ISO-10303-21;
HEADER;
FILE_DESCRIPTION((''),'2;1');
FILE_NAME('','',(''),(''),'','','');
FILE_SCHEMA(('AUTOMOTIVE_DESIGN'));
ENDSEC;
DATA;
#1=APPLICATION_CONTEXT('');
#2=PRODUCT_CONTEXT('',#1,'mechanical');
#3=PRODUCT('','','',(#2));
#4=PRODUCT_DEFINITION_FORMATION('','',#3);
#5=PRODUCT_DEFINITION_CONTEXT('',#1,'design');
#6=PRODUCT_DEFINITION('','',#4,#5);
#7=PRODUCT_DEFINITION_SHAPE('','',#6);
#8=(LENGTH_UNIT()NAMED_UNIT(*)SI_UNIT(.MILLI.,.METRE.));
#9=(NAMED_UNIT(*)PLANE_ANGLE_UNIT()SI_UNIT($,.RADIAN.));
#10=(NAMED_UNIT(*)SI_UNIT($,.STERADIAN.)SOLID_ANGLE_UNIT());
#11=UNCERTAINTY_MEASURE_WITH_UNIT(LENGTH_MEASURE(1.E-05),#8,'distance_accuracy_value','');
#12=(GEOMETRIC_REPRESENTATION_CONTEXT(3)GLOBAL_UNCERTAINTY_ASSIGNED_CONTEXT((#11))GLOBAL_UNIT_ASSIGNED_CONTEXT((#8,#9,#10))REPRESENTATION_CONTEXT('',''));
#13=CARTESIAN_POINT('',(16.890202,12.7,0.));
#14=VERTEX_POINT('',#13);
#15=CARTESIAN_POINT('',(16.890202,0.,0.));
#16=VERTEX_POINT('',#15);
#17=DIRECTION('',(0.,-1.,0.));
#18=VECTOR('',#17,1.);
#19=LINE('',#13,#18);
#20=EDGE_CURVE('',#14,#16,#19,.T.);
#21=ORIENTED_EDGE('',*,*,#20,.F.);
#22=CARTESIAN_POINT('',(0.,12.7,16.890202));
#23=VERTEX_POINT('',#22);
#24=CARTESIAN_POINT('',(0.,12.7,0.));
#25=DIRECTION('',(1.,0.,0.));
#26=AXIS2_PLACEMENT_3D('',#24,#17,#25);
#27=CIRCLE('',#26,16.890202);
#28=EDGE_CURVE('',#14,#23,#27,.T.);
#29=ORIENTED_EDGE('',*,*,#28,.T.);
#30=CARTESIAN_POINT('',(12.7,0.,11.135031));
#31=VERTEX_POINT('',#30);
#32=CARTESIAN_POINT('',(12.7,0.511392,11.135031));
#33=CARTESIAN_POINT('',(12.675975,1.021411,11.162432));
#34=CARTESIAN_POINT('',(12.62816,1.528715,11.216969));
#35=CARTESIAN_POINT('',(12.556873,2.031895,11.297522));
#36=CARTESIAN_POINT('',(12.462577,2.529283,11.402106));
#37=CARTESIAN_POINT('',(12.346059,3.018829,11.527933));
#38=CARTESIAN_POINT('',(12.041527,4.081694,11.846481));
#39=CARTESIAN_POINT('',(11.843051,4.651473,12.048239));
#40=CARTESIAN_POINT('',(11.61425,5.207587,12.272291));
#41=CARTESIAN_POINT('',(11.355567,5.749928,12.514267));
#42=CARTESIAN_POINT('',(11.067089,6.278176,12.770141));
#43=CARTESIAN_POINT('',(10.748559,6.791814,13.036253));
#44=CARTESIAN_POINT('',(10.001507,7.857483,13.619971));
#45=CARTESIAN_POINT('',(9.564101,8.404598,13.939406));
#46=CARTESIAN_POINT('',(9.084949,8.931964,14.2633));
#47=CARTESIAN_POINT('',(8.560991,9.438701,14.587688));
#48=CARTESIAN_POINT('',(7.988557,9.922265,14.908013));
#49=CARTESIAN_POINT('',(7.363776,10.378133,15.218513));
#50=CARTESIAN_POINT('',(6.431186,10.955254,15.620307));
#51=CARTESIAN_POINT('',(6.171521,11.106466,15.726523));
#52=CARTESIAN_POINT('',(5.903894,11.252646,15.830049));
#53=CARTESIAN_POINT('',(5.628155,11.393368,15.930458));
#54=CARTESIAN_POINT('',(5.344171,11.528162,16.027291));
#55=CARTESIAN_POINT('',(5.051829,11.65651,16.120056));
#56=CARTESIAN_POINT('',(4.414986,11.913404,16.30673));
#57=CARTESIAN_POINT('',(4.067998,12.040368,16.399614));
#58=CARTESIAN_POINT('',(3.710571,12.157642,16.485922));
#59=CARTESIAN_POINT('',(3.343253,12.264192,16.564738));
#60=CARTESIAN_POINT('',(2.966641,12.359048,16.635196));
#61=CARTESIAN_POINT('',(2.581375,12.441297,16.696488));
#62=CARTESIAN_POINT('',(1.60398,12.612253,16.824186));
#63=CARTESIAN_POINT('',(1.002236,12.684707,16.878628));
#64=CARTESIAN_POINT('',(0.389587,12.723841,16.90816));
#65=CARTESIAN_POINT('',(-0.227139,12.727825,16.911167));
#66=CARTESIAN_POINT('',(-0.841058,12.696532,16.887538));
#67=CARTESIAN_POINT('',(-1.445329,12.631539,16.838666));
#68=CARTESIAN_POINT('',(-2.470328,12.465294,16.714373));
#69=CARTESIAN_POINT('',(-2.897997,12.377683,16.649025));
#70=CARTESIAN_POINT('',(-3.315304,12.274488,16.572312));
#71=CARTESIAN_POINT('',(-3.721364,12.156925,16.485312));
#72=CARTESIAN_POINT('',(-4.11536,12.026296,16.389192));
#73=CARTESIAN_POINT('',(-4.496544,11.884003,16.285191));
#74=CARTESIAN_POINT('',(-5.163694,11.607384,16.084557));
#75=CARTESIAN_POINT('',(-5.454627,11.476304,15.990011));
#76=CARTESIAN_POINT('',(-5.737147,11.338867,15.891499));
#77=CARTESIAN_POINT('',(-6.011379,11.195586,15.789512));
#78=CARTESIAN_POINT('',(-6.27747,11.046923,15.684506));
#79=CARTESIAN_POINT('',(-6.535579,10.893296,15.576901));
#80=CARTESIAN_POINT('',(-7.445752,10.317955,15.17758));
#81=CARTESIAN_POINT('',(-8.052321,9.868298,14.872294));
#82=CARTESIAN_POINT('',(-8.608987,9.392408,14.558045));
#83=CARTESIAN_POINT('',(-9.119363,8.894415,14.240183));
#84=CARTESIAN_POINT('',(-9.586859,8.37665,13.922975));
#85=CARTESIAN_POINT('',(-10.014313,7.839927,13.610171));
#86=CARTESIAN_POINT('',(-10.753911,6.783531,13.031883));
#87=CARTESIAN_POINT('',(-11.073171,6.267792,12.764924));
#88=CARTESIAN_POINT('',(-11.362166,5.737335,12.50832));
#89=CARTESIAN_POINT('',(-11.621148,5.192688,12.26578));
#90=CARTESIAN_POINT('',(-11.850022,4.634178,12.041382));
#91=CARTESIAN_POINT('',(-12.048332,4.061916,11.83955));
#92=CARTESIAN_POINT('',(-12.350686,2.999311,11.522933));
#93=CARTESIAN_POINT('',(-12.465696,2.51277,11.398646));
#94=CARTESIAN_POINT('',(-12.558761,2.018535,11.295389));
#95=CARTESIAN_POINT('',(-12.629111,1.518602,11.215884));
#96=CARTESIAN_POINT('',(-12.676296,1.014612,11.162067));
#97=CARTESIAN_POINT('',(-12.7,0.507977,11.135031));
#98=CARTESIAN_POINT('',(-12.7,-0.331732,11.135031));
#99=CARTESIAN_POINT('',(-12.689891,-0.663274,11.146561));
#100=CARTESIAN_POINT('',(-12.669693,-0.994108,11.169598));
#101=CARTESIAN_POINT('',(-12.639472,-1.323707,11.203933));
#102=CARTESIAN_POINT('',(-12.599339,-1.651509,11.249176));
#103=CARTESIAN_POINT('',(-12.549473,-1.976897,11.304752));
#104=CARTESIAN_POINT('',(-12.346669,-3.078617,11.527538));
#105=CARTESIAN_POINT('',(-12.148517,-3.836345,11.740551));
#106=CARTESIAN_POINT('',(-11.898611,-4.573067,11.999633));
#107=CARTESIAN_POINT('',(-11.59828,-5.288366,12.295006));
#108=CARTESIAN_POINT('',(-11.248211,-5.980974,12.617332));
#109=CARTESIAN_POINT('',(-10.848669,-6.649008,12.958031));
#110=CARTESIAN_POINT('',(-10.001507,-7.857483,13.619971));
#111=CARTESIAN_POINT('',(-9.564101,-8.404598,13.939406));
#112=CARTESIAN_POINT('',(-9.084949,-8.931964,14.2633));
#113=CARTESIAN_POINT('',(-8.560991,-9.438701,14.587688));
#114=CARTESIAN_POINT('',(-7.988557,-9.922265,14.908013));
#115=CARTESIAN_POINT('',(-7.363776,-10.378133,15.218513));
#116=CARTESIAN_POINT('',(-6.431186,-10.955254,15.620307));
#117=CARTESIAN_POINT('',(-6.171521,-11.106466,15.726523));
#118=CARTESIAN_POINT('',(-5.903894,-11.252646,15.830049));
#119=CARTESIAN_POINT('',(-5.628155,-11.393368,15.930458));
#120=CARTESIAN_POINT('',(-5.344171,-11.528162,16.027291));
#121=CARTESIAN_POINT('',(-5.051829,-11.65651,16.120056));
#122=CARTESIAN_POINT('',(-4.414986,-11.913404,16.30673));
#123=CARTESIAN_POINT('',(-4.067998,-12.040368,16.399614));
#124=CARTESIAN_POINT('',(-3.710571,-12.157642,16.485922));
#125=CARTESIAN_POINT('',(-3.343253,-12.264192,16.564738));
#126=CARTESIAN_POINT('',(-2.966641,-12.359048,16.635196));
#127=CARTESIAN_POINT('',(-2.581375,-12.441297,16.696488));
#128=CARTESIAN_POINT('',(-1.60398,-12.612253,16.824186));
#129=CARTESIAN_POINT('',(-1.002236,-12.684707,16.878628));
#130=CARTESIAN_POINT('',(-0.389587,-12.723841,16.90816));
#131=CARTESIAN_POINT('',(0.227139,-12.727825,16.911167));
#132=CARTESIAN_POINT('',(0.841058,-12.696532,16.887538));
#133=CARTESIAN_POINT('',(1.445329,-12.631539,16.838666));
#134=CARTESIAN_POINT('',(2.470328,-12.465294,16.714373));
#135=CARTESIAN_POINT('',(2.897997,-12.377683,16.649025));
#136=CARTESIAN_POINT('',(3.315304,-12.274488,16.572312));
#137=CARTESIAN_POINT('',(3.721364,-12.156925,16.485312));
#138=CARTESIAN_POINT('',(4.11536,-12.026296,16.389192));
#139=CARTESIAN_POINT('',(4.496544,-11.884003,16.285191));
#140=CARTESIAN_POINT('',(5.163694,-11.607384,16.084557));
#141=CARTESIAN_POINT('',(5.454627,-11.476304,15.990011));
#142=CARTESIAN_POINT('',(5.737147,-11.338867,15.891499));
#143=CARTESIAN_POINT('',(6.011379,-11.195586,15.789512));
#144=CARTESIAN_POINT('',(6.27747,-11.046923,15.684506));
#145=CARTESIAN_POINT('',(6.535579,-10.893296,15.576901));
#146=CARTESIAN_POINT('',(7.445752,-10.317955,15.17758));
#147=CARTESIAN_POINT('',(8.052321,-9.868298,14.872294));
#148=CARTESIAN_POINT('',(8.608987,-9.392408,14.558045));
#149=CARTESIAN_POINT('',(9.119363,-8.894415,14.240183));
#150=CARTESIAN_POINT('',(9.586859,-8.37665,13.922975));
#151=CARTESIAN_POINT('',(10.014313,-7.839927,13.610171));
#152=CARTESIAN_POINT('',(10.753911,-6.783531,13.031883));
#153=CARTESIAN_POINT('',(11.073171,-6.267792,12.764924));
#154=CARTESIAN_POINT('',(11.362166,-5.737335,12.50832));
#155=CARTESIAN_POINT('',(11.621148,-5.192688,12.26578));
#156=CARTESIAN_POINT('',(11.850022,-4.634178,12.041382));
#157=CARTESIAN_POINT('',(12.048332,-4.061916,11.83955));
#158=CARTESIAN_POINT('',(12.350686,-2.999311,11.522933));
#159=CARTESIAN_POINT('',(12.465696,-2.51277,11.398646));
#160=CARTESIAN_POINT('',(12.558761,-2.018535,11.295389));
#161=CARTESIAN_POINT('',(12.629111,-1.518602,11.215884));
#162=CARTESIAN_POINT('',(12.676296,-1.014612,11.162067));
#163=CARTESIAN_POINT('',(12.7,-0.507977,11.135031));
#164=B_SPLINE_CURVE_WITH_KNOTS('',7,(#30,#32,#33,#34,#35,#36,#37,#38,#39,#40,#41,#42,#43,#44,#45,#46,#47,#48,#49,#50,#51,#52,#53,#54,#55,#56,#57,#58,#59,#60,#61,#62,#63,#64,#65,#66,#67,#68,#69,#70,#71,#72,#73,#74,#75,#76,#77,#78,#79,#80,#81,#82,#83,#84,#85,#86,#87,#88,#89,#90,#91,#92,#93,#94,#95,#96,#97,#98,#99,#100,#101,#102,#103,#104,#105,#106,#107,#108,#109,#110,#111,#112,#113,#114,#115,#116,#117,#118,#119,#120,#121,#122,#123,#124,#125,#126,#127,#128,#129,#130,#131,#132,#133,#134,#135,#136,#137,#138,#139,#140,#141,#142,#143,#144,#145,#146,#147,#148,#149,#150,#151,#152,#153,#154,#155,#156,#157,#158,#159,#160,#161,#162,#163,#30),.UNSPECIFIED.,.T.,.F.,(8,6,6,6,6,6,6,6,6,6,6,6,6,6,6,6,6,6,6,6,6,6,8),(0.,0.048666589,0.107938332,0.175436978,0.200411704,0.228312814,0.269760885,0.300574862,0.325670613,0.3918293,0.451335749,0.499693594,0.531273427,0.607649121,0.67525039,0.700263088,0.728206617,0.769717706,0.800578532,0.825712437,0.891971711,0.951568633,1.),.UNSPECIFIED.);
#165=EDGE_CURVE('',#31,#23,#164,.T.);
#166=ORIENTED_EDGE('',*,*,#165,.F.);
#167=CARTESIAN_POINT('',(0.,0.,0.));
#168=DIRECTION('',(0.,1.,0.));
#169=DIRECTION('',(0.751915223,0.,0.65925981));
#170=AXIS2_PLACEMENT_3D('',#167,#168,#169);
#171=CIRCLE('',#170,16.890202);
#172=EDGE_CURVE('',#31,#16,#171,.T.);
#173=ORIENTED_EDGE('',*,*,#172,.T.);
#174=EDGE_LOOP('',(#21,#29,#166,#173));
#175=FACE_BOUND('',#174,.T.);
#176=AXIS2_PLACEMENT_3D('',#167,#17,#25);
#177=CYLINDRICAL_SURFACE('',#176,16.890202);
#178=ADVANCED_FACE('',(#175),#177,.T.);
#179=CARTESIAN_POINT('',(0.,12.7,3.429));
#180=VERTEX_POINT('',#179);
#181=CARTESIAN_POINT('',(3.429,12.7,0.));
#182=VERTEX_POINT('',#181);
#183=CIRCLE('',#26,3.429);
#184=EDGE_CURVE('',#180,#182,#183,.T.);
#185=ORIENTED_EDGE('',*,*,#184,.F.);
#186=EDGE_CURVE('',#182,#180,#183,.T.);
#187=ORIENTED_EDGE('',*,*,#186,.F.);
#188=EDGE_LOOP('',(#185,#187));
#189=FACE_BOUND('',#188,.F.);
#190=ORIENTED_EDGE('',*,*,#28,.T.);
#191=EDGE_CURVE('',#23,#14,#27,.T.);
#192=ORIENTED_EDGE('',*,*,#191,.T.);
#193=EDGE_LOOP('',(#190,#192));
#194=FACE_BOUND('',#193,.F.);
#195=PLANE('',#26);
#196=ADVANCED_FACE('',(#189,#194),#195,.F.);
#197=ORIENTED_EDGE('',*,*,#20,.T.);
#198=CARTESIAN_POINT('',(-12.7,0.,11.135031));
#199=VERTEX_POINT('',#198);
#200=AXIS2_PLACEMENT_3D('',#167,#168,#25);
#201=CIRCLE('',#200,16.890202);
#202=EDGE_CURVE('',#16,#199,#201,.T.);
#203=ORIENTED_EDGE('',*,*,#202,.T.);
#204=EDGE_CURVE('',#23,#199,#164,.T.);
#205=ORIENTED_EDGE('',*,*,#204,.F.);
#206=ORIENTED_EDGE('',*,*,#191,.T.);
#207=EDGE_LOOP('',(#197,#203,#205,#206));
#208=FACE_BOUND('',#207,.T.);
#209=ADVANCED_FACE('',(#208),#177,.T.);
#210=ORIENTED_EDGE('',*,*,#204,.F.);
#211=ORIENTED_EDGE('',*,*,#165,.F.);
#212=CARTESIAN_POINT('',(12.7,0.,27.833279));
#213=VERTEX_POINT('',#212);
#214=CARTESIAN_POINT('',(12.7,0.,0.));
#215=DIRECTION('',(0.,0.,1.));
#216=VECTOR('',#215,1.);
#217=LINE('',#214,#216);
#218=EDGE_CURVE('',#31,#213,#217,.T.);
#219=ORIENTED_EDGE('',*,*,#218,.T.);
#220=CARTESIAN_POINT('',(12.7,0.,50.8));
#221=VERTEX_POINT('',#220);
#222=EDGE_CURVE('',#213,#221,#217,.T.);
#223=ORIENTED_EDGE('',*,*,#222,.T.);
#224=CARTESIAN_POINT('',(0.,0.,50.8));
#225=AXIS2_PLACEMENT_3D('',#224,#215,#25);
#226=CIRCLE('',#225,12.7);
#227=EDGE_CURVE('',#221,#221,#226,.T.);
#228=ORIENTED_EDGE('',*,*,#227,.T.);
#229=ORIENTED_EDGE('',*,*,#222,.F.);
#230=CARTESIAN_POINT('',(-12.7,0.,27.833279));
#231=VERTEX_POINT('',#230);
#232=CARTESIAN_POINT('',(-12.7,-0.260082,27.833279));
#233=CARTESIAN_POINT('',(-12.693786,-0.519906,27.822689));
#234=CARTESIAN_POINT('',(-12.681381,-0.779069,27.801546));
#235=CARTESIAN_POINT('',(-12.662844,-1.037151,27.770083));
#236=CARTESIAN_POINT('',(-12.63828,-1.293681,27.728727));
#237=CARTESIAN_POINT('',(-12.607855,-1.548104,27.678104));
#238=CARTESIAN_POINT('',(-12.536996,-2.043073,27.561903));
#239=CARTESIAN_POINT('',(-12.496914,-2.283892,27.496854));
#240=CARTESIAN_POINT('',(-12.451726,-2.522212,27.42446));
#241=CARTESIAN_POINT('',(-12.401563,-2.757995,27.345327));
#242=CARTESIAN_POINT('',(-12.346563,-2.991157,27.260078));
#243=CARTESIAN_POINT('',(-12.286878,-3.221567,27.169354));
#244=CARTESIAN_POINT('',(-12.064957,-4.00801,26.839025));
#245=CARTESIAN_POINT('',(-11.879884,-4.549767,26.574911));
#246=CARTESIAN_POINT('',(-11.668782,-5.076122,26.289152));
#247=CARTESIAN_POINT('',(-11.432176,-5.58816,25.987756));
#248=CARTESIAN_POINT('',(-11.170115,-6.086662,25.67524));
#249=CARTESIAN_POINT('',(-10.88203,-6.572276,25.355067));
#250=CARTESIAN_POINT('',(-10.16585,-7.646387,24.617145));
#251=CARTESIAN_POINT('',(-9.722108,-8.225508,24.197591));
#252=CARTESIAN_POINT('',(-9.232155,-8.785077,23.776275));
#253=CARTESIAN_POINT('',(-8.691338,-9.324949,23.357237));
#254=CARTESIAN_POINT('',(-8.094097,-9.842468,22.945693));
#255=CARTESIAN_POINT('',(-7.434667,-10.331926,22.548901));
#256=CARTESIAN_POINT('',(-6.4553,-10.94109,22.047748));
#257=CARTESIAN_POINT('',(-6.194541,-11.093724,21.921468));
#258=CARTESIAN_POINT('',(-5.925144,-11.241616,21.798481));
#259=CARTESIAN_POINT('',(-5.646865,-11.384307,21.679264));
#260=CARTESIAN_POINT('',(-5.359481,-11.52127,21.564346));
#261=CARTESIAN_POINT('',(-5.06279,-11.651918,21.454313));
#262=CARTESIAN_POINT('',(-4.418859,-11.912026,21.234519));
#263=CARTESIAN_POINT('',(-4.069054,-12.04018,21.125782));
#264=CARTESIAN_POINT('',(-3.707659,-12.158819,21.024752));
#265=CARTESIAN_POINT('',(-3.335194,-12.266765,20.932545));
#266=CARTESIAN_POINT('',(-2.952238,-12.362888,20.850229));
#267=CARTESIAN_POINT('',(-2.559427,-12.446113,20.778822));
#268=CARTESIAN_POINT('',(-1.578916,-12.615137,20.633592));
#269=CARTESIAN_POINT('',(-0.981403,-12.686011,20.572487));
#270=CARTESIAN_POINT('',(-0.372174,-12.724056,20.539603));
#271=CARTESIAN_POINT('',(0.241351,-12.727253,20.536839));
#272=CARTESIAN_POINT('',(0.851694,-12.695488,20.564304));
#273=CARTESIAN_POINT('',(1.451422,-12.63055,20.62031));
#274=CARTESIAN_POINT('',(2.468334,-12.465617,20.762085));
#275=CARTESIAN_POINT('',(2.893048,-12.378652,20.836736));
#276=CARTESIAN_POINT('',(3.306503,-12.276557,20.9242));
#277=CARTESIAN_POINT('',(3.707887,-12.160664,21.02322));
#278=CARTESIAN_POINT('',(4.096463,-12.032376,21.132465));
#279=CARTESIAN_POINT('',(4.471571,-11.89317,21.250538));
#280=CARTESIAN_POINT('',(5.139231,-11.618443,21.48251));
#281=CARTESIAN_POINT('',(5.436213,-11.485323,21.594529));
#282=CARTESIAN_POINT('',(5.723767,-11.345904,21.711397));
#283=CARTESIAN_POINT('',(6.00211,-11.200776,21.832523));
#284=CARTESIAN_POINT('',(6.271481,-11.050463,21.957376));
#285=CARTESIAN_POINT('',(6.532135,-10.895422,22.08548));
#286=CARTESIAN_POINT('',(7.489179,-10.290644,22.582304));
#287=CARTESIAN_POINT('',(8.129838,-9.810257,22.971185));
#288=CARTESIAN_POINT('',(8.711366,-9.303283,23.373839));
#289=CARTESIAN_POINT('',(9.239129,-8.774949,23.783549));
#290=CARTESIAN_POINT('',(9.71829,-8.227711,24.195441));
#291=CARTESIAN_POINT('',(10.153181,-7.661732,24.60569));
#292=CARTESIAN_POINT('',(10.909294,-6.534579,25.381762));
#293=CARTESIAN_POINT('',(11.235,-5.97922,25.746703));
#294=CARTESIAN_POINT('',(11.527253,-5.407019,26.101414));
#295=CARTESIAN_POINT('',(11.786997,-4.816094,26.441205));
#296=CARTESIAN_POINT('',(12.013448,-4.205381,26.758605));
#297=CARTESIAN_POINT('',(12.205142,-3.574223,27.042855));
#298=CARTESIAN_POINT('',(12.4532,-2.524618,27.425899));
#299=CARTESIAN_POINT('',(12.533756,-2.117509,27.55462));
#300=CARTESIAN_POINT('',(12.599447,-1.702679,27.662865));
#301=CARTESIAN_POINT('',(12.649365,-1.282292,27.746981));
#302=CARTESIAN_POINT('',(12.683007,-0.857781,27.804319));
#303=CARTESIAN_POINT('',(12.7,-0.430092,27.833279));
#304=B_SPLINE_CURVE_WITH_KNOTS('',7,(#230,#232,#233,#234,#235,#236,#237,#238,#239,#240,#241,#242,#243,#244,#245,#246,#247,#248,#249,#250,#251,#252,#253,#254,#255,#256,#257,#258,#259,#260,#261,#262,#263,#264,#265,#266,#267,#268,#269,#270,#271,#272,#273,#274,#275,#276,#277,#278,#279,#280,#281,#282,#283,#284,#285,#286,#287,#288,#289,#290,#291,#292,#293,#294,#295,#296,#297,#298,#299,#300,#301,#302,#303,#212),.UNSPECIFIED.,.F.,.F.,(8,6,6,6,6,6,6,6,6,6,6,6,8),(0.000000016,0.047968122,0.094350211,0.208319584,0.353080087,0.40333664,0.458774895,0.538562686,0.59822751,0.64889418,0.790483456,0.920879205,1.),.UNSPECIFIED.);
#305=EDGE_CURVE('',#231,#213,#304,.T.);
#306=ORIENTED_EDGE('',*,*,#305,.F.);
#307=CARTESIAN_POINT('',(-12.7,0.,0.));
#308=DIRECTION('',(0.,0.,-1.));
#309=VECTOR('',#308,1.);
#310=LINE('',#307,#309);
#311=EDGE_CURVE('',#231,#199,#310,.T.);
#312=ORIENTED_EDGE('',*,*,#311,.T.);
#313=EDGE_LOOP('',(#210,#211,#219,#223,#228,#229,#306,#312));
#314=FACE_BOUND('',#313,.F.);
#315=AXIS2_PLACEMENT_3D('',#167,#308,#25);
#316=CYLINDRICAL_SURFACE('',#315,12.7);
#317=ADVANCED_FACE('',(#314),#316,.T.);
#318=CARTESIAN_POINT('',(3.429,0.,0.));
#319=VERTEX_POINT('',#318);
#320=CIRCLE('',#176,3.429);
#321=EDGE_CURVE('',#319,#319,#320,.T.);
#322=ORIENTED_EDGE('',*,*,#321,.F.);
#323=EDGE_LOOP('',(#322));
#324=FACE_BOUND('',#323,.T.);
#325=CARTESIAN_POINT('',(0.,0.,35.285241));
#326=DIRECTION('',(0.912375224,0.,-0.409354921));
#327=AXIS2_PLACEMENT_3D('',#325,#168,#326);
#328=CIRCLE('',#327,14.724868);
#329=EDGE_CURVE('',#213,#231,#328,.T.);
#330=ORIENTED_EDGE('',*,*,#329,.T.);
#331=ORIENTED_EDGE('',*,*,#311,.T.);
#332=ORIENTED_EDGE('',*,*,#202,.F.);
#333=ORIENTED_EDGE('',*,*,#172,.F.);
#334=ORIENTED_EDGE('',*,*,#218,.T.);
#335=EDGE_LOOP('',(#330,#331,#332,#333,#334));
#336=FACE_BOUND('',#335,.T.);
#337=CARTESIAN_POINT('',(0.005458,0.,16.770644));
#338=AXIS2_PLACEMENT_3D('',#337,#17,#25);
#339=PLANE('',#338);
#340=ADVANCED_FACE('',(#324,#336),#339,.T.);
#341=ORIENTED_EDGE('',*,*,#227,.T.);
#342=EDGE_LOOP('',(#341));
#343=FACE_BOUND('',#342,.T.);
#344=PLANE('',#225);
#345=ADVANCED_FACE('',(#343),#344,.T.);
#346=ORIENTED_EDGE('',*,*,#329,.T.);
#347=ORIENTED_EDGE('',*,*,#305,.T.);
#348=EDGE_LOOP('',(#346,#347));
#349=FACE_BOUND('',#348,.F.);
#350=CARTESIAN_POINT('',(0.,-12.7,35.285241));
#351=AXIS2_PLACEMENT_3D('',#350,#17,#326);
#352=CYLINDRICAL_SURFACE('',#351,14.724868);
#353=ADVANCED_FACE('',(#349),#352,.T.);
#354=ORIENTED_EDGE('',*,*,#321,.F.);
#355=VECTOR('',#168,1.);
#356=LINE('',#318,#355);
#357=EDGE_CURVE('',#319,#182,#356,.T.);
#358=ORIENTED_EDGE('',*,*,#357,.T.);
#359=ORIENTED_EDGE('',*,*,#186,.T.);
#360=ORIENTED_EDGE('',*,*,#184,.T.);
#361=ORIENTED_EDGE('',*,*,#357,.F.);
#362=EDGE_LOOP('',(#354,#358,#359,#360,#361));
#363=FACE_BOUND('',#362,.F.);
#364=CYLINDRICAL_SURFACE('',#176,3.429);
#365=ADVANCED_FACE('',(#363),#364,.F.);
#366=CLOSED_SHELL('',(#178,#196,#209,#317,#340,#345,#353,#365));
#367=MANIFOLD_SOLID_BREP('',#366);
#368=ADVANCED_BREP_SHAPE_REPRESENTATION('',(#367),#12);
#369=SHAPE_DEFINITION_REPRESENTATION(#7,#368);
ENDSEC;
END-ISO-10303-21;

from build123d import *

# Parameters (mm, degrees)
F0_R      = 16.890202
F1_DEPTH  = 12.7
F2_R      = 12.7
F3_DEPTH  = 50.8
F5_R      = 16.890202
F6_DEPTH  = 12.7
F7_R      = 3.429
F8_DEPTH  = 12.701
F10_DEPTH = 12.7


with BuildPart() as f1:
    # F0 (on Front) → F1 (new body, symmetric)
    with BuildSketch(Plane.XZ):
        Circle(F0_R)
    extrude(amount=F1_DEPTH, both=True)

    # F2 (on Top) → F3 (join)
    with BuildSketch(Plane.XY):
        Circle(F2_R)
    extrude(amount=F3_DEPTH)

    # F5 (on offset) → F6 (cut)
    with BuildSketch(Plane.XZ.offset(12.7)):
        Circle(F5_R)
    extrude(amount=-F6_DEPTH, mode=Mode.SUBTRACT)

    # F7 (on face) → F8 (cut, through all)
    with BuildSketch(Plane.XZ):
        Circle(F7_R)
    extrude(amount=-F8_DEPTH, mode=Mode.SUBTRACT)

    # F9 (on offset) → F10 (cut, through all)
    with BuildSketch(Plane.XZ.offset(12.7)):
        with BuildLine():
            ThreePointArc((13.434605, 29.257544), (0, 20.560373), (-13.434605, 29.257544))
            Line((-13.434605, 29.257544), (-13.434605, 6.106135))
            Line((-13.434605, 6.106135), (13.446192, 6.106135))
            Line((13.446192, 6.106135), (13.446192, 29.257544))
            Line((13.446192, 29.257544), (13.434605, 29.257544))
        make_face()
    extrude(amount=-F10_DEPTH, mode=Mode.SUBTRACT)


solid = f1.part
